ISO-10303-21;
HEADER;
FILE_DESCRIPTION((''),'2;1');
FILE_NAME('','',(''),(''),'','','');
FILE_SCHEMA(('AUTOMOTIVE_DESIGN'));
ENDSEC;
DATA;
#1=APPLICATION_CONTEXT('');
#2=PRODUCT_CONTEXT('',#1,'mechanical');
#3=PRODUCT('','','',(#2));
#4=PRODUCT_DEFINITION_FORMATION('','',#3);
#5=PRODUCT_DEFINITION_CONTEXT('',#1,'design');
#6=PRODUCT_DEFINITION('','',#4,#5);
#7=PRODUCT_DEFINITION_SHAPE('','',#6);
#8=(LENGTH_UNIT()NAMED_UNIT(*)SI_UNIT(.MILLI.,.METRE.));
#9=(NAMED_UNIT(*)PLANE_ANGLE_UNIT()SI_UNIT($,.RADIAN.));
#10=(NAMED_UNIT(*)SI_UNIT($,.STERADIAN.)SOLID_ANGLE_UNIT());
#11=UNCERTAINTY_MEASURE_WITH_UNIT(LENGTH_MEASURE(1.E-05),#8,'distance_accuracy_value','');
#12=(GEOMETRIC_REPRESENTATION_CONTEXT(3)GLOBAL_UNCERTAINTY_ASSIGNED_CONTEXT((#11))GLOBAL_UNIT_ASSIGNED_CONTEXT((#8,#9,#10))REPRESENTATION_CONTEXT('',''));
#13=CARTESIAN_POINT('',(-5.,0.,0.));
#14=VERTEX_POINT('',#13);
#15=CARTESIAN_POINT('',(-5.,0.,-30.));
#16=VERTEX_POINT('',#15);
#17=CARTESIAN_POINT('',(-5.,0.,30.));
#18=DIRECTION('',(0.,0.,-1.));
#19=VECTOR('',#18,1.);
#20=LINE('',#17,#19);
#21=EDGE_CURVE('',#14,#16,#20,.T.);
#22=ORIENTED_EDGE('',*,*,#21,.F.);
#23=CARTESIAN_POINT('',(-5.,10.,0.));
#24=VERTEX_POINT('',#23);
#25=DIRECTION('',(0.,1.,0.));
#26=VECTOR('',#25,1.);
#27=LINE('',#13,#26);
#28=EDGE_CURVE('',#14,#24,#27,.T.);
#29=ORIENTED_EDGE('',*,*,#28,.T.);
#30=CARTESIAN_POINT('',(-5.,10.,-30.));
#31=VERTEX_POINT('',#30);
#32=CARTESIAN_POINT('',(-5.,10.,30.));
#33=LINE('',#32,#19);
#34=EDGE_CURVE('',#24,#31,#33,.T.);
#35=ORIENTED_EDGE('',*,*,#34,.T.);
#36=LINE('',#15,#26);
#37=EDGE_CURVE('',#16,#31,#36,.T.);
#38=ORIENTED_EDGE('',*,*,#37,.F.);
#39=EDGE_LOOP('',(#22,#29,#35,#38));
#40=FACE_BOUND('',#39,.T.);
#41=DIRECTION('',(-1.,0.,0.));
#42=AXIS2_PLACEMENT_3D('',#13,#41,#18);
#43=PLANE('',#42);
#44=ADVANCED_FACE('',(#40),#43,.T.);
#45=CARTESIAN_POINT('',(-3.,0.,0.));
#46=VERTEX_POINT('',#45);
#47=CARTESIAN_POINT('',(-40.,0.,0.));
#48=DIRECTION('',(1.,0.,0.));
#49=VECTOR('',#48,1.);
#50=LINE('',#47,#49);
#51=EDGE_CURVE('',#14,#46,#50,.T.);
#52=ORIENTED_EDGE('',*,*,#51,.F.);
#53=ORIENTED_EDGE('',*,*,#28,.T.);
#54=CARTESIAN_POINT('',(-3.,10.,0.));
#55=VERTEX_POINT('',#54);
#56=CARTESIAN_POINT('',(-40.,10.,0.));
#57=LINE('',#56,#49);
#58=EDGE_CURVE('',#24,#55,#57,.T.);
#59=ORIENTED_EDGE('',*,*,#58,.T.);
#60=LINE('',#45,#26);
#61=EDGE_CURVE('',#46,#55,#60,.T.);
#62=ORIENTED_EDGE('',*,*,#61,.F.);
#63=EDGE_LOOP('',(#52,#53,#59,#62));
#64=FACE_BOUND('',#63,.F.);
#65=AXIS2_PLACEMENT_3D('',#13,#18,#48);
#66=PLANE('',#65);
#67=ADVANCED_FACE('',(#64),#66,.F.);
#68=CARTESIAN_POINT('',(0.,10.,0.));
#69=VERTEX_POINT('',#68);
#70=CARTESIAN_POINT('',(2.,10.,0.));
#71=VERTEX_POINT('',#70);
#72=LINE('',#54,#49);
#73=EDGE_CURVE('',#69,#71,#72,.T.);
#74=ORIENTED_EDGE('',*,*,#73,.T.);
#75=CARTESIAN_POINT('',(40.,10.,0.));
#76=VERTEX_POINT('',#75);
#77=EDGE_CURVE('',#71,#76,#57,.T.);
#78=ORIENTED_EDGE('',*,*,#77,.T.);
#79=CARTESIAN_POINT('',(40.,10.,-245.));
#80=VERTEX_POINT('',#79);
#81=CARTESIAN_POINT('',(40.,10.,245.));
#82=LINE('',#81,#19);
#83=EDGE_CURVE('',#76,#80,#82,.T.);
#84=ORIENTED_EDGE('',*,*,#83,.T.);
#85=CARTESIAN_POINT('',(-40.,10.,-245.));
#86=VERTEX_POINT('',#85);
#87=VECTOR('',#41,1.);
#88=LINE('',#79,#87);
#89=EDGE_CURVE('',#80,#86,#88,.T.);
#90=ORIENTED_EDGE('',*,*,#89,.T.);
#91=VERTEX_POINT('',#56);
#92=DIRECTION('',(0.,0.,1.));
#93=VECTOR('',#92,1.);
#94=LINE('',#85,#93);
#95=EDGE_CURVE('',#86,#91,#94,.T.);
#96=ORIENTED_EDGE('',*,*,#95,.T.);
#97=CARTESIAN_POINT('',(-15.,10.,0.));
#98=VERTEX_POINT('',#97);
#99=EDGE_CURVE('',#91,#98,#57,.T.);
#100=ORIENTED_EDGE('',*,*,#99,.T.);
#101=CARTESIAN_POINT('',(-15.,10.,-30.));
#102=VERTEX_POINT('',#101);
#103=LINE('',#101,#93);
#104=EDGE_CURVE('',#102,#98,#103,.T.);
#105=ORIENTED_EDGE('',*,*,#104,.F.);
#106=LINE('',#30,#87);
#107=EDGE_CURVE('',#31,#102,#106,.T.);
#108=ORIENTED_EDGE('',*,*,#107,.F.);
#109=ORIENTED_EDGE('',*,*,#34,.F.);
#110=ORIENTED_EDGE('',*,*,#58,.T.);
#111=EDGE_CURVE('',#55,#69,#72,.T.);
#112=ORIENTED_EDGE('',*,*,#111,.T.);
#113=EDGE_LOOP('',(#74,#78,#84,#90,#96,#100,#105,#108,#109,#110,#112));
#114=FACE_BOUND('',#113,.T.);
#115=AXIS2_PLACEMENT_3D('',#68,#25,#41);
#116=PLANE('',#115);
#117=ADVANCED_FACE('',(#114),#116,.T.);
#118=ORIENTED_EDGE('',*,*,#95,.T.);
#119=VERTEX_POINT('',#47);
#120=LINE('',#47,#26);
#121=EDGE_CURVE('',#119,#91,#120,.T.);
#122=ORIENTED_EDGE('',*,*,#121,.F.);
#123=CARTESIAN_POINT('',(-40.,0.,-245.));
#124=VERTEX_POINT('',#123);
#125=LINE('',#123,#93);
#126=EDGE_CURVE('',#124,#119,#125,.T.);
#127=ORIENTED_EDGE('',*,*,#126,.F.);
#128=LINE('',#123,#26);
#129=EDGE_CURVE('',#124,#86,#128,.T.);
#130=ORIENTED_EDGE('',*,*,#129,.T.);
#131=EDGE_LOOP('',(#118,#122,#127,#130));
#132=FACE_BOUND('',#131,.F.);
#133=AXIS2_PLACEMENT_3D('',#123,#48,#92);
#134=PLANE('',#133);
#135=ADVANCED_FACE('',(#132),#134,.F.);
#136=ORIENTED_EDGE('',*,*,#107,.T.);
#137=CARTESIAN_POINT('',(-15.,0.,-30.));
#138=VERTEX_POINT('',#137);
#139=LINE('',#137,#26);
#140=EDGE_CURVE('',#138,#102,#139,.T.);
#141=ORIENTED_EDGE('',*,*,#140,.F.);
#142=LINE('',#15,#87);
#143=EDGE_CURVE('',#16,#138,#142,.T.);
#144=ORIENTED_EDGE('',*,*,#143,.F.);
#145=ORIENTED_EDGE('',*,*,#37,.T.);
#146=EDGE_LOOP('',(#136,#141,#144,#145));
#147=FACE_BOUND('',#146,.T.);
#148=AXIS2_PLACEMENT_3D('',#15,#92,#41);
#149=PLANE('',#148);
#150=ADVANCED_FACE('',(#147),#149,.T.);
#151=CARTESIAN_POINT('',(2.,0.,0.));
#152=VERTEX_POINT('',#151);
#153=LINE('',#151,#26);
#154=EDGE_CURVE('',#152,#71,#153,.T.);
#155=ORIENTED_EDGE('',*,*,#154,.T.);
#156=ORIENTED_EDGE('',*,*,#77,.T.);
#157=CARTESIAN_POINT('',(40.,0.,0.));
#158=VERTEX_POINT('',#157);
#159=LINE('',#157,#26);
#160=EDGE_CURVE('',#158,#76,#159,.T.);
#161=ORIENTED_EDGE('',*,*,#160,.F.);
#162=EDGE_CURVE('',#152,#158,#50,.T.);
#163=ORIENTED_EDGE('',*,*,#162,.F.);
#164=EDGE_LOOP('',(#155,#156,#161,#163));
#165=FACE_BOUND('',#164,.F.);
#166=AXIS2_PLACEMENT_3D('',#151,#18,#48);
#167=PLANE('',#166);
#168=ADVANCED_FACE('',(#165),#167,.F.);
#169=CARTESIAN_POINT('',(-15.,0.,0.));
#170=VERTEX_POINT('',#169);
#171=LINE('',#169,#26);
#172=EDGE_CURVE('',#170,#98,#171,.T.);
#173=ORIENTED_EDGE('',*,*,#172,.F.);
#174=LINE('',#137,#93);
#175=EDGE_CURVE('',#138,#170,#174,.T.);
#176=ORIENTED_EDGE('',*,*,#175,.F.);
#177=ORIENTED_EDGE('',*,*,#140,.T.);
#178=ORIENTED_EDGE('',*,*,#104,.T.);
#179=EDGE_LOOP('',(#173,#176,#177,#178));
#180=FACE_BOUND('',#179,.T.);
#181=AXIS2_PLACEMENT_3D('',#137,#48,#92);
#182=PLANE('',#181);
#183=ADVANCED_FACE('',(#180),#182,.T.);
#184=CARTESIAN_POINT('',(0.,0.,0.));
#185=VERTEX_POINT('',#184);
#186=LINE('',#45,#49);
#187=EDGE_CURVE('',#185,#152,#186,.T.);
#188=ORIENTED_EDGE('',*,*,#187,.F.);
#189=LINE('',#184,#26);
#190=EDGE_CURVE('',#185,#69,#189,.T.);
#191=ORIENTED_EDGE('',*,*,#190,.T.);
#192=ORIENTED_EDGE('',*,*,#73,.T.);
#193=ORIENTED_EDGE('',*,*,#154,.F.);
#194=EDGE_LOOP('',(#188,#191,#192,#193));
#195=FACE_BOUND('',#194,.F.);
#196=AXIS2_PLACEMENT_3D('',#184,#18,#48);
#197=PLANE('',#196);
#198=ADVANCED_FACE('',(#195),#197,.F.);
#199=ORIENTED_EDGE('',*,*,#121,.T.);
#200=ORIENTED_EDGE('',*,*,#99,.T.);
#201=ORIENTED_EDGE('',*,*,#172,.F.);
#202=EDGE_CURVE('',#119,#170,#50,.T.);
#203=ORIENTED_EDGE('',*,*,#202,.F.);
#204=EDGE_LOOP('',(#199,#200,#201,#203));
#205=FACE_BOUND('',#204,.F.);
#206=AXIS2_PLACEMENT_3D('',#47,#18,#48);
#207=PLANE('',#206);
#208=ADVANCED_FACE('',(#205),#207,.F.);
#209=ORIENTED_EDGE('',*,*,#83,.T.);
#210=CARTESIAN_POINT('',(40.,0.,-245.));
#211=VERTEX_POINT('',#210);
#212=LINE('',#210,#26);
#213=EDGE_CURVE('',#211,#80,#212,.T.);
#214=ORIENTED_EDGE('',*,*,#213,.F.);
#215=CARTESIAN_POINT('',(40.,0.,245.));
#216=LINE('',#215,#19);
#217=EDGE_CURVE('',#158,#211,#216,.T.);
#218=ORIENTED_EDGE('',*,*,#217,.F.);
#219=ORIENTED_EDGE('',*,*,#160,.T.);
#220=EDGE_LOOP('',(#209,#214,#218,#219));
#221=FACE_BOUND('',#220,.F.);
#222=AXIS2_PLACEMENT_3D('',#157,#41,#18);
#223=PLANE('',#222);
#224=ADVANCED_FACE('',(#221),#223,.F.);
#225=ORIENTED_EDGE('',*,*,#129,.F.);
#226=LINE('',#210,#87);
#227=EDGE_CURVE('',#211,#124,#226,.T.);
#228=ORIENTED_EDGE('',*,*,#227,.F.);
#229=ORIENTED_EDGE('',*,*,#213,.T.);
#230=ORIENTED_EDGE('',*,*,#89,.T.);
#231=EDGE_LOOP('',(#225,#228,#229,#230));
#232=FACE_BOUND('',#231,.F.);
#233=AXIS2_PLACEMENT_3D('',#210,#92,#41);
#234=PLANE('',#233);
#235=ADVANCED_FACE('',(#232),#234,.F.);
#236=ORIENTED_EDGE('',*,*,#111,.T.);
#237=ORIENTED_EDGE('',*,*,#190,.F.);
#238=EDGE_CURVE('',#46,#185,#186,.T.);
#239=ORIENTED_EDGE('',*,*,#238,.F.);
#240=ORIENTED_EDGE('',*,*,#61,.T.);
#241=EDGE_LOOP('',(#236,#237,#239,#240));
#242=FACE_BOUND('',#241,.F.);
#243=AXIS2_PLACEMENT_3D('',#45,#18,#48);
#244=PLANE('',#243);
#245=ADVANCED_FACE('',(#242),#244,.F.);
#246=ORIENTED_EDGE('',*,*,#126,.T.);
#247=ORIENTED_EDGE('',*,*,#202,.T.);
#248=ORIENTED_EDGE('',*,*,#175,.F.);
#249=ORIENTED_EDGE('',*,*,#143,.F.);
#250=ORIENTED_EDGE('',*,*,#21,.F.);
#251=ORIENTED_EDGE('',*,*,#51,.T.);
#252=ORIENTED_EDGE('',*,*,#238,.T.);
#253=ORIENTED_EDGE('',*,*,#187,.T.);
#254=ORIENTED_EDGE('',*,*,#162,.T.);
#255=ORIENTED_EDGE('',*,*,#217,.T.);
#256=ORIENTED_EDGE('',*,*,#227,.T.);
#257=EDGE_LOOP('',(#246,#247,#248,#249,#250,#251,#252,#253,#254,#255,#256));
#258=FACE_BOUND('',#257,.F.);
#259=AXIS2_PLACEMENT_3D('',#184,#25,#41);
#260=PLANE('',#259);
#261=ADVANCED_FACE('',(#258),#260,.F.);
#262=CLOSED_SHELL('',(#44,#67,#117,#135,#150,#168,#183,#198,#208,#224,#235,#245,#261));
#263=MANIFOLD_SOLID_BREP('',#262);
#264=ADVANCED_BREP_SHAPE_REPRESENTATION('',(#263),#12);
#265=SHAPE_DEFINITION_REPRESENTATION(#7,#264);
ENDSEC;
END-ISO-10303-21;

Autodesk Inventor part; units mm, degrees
ref_plane "YZ Plane" through (0, 0, 0) normal (1, 0, 0) x (0, 1, 0)
ref_plane "XZ Plane" through (0, 0, 0) normal (0, 1, 0) x (-1, 0, 0)
ref_plane "XY Plane" through (0, 0, 0) normal (0, 0, 1) x (1, 0, 0)
sketch "草图1" plane through (0, 0, 0) normal (0, 1, 0) x (-1, 0, 0)
  line L0 (40, 245) -> (-40, 245)
  line L1 (-40, 245) -> (-40, -245)
  line L2 (-40, -245) -> (40, -245)
  line L3 (40, -245) -> (40, 245)
  line L4 (0, 5.532) -> (0, -5.7915)
  line L5 (3, 0) -> (-2, 0)
  line L6 (40, 0) -> (-40, 0)
  line L7 (15, 30) -> (5, 30)
  line L8 (5, 30) -> (5, -30)
  line L9 (5, -30) -> (15, -30)
  line L10 (15, -30) -> (15, 30)
  point P0 (0, 0)
  point P1 (0, 0)
  point P2 (0, 0)
  point P3 (0, 0)
  point P4 (5, 0)
  point P5 (-2, 0)
  point P6 (15, 0)
  dimension "d0" = 80
  dimension "d1" = 490
  dimension "d2" = 10
  dimension "d3" = 60
  dimension "d4" = 25
extrude "拉伸1" add sketch "草图1" along normal blind 10 contours L3 L2 L1 L6 L5 L8 L9 L10
properties part number "back_2"
